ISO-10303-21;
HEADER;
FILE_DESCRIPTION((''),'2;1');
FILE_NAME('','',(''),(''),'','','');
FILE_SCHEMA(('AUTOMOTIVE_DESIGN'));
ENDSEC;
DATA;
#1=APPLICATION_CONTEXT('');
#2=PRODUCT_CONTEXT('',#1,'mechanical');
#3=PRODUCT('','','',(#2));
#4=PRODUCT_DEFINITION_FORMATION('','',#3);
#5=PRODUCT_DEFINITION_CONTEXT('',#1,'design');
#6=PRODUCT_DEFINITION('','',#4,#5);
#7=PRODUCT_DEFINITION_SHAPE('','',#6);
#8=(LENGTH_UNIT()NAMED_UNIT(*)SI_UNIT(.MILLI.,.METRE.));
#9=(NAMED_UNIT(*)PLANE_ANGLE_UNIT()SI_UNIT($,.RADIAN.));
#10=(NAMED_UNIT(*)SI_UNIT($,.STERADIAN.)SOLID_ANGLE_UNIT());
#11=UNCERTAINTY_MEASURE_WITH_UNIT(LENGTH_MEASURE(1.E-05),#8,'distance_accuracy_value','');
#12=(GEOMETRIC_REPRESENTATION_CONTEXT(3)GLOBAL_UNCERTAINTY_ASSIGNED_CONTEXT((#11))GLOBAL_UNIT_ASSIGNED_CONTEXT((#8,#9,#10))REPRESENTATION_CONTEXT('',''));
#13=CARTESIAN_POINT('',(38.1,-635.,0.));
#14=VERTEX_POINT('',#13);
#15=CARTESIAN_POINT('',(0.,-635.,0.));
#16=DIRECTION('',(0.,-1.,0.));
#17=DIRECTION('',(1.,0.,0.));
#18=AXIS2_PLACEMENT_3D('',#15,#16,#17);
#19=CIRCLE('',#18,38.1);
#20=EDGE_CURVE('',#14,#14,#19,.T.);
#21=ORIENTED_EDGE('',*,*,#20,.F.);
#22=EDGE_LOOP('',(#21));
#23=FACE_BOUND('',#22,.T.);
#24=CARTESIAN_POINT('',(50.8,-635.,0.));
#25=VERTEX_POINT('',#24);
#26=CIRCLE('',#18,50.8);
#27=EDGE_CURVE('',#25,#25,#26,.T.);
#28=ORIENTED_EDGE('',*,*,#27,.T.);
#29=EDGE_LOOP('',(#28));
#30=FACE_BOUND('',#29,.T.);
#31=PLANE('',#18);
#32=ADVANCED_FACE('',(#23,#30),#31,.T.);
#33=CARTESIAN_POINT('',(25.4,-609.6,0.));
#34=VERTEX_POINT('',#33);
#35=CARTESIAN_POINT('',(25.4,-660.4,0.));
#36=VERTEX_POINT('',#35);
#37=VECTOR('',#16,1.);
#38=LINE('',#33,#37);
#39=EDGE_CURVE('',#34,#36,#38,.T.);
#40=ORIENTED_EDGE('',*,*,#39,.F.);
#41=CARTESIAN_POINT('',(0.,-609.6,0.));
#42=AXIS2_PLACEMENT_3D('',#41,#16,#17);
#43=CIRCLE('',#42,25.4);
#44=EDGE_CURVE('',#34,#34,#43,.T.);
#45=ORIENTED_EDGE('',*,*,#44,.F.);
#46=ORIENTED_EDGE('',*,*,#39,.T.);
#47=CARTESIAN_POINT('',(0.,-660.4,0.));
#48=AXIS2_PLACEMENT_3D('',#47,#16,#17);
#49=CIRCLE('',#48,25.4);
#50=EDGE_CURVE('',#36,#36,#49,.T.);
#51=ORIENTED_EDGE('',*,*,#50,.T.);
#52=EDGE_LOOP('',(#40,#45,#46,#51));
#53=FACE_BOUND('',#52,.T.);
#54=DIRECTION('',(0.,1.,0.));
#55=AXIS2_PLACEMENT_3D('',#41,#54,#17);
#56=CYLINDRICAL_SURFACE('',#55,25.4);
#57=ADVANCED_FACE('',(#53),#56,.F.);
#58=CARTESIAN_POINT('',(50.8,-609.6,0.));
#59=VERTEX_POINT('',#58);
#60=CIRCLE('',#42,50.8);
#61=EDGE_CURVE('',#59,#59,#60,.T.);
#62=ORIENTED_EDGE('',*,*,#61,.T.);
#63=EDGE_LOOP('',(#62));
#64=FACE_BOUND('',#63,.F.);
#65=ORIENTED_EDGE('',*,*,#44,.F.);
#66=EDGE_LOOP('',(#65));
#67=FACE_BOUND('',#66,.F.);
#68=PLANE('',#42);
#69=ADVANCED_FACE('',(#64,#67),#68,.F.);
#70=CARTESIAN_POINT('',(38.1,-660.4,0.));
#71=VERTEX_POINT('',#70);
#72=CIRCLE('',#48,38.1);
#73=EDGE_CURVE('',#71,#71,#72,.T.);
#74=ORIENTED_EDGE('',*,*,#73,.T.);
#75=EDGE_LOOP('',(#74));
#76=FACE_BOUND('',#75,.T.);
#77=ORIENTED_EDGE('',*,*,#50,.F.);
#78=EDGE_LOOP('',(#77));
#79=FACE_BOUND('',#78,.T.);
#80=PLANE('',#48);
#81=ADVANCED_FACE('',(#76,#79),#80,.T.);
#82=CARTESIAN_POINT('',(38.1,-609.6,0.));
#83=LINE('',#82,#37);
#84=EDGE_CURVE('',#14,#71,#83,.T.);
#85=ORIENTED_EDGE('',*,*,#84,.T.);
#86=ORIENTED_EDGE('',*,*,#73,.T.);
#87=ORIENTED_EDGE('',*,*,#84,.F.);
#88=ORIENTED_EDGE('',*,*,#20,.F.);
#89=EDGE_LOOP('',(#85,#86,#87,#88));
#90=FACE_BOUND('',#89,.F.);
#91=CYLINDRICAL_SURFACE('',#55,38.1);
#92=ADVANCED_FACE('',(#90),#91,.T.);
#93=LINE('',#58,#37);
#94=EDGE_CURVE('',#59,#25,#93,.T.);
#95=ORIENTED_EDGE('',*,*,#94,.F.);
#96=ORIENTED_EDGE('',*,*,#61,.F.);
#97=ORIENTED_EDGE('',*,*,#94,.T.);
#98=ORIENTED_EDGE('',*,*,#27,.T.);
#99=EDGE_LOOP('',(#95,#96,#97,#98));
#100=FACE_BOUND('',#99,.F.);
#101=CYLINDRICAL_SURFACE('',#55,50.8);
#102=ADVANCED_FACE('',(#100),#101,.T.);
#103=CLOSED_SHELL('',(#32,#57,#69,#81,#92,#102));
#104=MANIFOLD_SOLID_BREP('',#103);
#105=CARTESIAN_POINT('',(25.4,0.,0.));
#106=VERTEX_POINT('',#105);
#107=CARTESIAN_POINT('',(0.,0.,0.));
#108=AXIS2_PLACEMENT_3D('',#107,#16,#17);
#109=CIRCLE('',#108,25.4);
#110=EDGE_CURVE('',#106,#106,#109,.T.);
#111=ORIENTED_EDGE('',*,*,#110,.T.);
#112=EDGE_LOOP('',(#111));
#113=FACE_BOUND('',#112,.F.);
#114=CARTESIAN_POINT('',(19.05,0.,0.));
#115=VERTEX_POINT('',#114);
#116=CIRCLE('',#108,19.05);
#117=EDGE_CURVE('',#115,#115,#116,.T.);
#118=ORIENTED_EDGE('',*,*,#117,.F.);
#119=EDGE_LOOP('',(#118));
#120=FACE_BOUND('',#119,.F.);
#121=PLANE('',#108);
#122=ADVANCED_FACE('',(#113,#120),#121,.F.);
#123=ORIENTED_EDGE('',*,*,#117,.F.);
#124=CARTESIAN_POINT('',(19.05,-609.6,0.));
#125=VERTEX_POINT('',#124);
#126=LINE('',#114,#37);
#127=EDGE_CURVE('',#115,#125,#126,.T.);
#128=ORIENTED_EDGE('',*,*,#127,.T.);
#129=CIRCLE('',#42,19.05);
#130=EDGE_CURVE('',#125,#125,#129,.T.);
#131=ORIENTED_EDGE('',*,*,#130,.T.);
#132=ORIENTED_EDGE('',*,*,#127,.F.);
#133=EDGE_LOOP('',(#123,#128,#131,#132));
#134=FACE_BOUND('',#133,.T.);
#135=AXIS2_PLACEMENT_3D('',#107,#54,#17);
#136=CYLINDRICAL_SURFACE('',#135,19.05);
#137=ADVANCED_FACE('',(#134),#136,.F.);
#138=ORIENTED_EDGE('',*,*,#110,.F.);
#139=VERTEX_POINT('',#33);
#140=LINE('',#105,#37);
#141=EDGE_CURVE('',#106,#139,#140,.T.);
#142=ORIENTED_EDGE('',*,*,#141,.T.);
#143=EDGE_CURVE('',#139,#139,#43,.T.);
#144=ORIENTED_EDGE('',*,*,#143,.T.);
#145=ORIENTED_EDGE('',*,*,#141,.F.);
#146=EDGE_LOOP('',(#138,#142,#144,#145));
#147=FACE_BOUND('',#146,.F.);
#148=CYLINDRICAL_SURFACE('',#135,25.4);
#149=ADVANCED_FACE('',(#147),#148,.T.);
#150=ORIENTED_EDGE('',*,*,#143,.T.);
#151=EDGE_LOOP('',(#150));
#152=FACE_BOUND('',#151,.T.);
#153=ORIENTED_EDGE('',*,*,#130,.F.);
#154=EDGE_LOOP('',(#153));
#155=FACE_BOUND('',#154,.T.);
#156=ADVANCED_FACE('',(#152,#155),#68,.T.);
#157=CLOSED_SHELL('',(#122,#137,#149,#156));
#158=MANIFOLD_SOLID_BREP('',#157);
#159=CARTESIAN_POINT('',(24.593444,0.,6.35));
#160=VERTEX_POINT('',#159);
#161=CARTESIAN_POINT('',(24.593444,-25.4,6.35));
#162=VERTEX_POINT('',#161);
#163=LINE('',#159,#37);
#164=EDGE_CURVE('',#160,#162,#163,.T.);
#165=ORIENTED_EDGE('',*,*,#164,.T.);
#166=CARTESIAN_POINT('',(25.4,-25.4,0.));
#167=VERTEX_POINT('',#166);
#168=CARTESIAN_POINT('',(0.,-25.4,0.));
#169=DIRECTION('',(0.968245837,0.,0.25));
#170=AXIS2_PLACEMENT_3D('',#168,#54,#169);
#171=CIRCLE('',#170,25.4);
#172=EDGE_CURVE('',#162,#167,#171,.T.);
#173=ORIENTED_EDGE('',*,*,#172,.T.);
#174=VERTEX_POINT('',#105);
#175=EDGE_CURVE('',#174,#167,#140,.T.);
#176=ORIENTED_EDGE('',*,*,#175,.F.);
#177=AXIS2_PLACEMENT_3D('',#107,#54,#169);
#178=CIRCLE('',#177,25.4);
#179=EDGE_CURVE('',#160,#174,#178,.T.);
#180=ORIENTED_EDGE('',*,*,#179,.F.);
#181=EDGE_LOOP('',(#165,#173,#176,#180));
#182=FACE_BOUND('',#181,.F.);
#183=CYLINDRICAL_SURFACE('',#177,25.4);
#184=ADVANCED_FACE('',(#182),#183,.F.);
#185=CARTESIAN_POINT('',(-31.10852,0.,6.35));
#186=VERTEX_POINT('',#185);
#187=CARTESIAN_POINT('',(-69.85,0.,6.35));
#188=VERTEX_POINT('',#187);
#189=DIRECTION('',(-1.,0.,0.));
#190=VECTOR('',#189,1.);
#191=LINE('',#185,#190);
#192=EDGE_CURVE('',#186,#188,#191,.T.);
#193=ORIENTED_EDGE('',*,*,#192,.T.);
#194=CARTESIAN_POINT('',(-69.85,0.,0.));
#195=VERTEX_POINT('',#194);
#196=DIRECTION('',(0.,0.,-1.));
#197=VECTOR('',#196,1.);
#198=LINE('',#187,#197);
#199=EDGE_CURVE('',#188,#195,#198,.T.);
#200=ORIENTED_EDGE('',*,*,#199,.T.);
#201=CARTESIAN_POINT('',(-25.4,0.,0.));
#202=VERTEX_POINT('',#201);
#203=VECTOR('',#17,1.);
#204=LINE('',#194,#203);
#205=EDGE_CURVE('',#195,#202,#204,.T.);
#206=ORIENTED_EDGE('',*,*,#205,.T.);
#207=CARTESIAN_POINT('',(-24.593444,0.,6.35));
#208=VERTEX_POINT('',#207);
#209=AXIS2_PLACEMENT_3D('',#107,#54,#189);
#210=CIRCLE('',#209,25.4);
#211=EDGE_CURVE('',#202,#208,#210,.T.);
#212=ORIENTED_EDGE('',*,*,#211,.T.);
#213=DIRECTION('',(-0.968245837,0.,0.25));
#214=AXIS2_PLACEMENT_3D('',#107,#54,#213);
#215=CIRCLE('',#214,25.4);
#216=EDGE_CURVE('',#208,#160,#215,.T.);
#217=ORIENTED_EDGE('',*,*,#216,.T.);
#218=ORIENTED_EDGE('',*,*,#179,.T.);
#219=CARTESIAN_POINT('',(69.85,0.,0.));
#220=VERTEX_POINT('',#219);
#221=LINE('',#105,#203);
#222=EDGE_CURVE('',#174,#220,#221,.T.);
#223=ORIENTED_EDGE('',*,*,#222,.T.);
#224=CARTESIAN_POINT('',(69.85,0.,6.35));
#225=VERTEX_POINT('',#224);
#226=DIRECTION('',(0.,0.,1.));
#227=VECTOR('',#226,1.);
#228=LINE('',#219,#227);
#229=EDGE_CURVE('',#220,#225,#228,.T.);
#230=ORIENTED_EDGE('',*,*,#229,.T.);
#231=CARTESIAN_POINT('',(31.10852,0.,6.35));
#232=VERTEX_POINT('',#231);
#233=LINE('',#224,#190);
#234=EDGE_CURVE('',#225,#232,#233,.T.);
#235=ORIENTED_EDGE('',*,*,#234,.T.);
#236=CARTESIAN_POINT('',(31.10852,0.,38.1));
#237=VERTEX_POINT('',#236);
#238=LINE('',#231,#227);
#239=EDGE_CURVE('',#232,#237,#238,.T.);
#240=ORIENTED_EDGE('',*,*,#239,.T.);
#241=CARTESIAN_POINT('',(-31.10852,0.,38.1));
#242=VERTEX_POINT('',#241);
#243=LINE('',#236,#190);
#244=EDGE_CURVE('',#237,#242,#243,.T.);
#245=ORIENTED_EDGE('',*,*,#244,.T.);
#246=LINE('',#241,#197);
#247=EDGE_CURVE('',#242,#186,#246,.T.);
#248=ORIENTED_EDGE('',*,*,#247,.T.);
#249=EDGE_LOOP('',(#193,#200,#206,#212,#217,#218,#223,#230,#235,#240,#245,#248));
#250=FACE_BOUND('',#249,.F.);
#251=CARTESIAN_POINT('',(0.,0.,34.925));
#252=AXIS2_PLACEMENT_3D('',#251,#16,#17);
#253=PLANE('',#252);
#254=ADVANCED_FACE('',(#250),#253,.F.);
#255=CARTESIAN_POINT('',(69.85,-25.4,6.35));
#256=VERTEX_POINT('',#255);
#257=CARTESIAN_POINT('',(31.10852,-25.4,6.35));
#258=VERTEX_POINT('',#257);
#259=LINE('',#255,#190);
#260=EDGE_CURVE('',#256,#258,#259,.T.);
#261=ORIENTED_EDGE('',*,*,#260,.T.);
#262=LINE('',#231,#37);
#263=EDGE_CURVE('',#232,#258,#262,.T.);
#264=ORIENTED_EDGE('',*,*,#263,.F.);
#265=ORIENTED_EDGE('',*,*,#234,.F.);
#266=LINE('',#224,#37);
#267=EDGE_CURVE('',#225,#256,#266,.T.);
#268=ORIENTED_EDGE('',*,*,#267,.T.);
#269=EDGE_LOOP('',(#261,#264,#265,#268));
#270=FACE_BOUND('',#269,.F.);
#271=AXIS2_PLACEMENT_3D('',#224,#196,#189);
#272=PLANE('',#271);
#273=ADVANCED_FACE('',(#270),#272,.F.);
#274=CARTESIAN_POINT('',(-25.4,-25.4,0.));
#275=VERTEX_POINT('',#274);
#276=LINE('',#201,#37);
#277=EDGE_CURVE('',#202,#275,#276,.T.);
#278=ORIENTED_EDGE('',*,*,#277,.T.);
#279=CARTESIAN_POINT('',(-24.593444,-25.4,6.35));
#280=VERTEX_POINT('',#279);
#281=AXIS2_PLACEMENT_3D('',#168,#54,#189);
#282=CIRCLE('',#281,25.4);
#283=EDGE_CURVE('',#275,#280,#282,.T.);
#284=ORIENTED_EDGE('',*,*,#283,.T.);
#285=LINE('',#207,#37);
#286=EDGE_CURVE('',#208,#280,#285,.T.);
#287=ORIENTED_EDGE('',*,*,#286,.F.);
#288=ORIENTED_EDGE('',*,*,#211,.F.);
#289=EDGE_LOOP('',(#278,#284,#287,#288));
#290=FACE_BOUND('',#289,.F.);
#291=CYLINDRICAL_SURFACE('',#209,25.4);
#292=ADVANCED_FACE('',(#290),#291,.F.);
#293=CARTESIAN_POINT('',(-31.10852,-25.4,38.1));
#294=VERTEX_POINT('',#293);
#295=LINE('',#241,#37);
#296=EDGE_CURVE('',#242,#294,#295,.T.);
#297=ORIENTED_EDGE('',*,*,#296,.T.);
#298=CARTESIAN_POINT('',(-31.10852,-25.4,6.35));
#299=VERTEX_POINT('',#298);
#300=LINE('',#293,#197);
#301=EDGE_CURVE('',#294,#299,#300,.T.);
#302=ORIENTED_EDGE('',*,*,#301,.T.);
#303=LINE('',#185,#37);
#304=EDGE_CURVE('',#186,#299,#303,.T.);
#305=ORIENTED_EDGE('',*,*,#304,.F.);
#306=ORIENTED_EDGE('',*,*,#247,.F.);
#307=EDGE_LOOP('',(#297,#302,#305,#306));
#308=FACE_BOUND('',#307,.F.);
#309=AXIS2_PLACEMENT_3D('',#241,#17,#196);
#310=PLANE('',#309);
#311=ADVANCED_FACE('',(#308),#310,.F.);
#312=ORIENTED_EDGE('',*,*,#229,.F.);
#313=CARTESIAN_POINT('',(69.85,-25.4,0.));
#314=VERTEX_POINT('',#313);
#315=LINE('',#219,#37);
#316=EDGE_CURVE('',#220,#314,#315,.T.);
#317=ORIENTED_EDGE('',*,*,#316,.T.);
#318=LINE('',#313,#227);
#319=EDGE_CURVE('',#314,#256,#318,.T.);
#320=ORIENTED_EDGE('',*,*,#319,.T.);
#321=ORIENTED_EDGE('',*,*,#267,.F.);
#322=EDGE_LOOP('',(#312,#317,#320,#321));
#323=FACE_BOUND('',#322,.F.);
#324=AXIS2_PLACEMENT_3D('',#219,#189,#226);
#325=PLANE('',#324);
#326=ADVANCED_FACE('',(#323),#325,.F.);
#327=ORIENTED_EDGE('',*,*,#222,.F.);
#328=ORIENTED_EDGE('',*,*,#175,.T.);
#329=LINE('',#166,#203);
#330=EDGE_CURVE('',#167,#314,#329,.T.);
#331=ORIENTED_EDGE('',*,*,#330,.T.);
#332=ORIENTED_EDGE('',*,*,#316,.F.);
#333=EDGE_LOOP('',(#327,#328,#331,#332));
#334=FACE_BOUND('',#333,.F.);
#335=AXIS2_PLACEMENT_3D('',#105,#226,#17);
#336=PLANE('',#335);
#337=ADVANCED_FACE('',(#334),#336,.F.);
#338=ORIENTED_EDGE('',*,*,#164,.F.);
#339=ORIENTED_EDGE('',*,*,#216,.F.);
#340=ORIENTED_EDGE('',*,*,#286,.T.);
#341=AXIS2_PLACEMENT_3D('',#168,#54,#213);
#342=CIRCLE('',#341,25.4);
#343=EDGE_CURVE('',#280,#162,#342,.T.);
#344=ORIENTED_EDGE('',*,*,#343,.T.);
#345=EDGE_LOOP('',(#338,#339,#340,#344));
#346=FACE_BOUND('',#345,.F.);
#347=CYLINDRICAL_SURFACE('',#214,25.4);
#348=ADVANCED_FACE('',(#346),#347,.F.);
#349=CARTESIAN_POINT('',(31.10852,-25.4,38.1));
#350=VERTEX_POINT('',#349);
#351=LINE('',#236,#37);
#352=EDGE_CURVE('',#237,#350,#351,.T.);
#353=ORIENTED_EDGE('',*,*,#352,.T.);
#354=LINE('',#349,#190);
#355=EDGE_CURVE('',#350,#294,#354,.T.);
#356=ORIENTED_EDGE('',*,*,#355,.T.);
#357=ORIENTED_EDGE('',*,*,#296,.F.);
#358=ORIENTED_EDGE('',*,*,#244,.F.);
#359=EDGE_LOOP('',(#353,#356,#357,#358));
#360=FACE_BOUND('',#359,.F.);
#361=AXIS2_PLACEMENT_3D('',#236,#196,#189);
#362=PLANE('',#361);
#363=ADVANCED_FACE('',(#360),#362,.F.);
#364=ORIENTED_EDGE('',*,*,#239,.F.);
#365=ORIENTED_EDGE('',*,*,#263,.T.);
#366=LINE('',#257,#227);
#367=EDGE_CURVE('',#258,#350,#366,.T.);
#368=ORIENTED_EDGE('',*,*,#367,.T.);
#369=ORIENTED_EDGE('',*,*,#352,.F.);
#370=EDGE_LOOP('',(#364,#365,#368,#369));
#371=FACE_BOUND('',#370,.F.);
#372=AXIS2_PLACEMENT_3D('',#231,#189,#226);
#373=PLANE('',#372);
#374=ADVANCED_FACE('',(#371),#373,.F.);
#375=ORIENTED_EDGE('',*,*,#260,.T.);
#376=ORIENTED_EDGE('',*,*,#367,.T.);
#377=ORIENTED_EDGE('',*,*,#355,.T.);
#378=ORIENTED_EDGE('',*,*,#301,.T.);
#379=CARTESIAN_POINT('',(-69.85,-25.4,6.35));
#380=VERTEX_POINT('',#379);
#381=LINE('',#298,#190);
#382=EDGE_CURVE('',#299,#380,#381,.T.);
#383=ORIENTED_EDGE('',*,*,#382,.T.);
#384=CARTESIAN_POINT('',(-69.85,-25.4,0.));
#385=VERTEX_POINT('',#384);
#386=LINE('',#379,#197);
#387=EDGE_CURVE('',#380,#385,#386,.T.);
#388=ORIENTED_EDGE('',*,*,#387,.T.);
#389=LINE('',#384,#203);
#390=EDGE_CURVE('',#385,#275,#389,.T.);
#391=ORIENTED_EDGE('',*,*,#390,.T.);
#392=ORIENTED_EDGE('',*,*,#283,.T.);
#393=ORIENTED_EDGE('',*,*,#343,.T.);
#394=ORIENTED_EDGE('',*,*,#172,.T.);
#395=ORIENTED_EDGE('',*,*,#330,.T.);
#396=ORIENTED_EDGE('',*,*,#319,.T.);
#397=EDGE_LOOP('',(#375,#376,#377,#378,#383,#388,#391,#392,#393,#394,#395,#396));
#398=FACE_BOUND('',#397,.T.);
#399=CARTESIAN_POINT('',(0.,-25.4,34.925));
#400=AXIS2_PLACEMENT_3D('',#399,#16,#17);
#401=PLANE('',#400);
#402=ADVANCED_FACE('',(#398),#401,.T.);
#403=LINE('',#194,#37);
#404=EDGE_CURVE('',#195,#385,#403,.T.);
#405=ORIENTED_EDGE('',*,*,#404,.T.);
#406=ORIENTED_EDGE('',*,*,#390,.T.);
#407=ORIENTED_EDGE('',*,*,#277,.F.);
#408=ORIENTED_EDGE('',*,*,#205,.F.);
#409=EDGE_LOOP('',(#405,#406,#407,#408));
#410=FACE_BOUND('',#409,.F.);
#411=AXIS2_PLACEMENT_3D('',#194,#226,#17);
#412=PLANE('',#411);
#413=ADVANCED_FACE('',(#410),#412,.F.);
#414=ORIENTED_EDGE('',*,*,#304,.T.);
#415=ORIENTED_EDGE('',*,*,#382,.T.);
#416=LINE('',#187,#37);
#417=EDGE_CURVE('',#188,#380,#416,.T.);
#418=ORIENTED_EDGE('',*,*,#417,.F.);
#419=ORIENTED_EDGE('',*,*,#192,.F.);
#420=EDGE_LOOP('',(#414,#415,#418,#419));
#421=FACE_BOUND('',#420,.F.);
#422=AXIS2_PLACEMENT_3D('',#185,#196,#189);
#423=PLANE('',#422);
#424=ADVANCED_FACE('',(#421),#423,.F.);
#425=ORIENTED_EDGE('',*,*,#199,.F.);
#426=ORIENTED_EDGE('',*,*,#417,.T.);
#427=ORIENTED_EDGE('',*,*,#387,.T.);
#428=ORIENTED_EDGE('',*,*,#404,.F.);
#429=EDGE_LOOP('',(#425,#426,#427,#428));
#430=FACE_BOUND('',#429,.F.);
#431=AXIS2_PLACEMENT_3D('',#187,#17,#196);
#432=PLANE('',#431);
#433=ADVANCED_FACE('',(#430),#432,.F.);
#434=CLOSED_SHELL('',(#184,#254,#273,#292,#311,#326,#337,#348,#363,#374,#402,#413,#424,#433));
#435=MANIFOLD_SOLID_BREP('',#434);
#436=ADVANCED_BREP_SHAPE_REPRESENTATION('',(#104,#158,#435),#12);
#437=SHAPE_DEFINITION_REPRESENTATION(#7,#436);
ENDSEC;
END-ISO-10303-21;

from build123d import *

# Parameters (mm, degrees)
F0_R     = 25.4
F0_R_2   = 19.05
F1_DEPTH = 609.6
F3_DEPTH = 25.4
F5_DEPTH = 25.4
F6_R     = 50.8
F6_R_2   = 38.1
F7_DEPTH = 25.4
F6_R_3   = 25.4
F8_DEPTH = 50.8


with BuildPart() as f1:
    # F0 (on Front) → F1 (new body)
    with BuildSketch(Plane.XZ):
        Circle(F0_R)
        Circle(F0_R_2, mode=Mode.SUBTRACT)
    extrude(amount=F1_DEPTH)



with BuildPart() as f3:
    # F2 (on Front) → F3 (new body)
    with BuildSketch(Plane.XZ):
        with BuildLine():
            ThreePointArc((-24.5934442484, 6.35), (0, 25.4), (24.5934442484, 6.35))
            Line((24.5934442484, 6.35), (31.1085197333, 6.35))
            ThreePointArc((31.1085197333, 6.35), (0, 31.75), (-31.1085197333, 6.35))
            Line((-31.1085197333, 6.35), (-24.5934442484, 6.35))
        make_face()
        with BuildLine():
            ThreePointArc((31.1085197333, 6.35), (31.5892228579, 3.1911595437), (31.75, 0))
            Line((31.75, 0), (69.85, 0))
            Line((69.85, 0), (69.85, 6.35))
            Line((69.85, 6.35), (31.1085197333, 6.35))
        make_face()
        with BuildLine():
            ThreePointArc((24.5934442484, 6.35), (25.1975542852, 3.2005090291), (25.4, 0))
            Line((25.4, 0), (31.75, 0))
            ThreePointArc((31.75, 0), (31.5892228579, 3.1911595437), (31.1085197333, 6.35))
            Line((31.1085197333, 6.35), (24.5934442484, 6.35))
        make_face()
        with BuildLine():
            Line((-31.75, 0), (-25.4, 0))
            ThreePointArc((-25.4, 0), (-25.1975542852, 3.2005090291), (-24.5934442484, 6.35))
            Line((-24.5934442484, 6.35), (-31.1085197333, 6.35))
            ThreePointArc((-31.1085197333, 6.35), (-31.5892228579, 3.1911595437), (-31.75, 0))
        make_face()
        with BuildLine():
            Line((-69.85, 0), (-31.75, 0))
            ThreePointArc((-31.75, 0), (-31.5892228579, 3.1911595437), (-31.1085197333, 6.35))
            Line((-31.1085197333, 6.35), (-69.85, 6.35))
            Line((-69.85, 6.35), (-69.85, 0))
        make_face()
    extrude(amount=F3_DEPTH)

    # F4 (on Front) → F5 (join)
    with BuildSketch(Plane.XZ):
        Polygon((-31.1085197333, 31.75), (-2.84e-08, 31.75), (31.1085197333, 31.75), (31.1085197333, 38.1), (-31.1085197333, 38.1), align=None)
        with BuildLine():
            ThreePointArc((-2.84e-08, 31.75), (20.0804631311, 24.5934442574), (31.1085197333, 6.35))
            Line((31.1085197333, 6.35), (31.1085197333, 31.75))
            Line((31.1085197333, 31.75), (-2.84e-08, 31.75))
        make_face()
        with BuildLine():
            ThreePointArc((-31.1085197333, 6.35), (-20.0804631531, 24.5934442394), (-2.84e-08, 31.75))
            Line((-2.84e-08, 31.75), (-31.1085197333, 31.75))
            Line((-31.1085197333, 31.75), (-31.1085197333, 6.35))
        make_face()
    extrude(amount=F5_DEPTH)


with BuildPart() as f7:
    # F6 (on face) → F7 (new body)
    with BuildSketch(Plane.XZ.offset(609.6)):
        Circle(F6_R)
        Circle(F6_R_2, mode=Mode.SUBTRACT)
    extrude(amount=F7_DEPTH)


with BuildPart() as f1_1:
    add(f1.part)

    add(f7.part)  # F8 merges F7
    # F6 (on face) → F8 (join)
    with BuildSketch(Plane.XZ.offset(609.6)):
        Circle(F6_R_2)
        Circle(F6_R_3, mode=Mode.SUBTRACT)
    extrude(amount=F8_DEPTH)


solid = Compound([f3.part, f1_1.part])
